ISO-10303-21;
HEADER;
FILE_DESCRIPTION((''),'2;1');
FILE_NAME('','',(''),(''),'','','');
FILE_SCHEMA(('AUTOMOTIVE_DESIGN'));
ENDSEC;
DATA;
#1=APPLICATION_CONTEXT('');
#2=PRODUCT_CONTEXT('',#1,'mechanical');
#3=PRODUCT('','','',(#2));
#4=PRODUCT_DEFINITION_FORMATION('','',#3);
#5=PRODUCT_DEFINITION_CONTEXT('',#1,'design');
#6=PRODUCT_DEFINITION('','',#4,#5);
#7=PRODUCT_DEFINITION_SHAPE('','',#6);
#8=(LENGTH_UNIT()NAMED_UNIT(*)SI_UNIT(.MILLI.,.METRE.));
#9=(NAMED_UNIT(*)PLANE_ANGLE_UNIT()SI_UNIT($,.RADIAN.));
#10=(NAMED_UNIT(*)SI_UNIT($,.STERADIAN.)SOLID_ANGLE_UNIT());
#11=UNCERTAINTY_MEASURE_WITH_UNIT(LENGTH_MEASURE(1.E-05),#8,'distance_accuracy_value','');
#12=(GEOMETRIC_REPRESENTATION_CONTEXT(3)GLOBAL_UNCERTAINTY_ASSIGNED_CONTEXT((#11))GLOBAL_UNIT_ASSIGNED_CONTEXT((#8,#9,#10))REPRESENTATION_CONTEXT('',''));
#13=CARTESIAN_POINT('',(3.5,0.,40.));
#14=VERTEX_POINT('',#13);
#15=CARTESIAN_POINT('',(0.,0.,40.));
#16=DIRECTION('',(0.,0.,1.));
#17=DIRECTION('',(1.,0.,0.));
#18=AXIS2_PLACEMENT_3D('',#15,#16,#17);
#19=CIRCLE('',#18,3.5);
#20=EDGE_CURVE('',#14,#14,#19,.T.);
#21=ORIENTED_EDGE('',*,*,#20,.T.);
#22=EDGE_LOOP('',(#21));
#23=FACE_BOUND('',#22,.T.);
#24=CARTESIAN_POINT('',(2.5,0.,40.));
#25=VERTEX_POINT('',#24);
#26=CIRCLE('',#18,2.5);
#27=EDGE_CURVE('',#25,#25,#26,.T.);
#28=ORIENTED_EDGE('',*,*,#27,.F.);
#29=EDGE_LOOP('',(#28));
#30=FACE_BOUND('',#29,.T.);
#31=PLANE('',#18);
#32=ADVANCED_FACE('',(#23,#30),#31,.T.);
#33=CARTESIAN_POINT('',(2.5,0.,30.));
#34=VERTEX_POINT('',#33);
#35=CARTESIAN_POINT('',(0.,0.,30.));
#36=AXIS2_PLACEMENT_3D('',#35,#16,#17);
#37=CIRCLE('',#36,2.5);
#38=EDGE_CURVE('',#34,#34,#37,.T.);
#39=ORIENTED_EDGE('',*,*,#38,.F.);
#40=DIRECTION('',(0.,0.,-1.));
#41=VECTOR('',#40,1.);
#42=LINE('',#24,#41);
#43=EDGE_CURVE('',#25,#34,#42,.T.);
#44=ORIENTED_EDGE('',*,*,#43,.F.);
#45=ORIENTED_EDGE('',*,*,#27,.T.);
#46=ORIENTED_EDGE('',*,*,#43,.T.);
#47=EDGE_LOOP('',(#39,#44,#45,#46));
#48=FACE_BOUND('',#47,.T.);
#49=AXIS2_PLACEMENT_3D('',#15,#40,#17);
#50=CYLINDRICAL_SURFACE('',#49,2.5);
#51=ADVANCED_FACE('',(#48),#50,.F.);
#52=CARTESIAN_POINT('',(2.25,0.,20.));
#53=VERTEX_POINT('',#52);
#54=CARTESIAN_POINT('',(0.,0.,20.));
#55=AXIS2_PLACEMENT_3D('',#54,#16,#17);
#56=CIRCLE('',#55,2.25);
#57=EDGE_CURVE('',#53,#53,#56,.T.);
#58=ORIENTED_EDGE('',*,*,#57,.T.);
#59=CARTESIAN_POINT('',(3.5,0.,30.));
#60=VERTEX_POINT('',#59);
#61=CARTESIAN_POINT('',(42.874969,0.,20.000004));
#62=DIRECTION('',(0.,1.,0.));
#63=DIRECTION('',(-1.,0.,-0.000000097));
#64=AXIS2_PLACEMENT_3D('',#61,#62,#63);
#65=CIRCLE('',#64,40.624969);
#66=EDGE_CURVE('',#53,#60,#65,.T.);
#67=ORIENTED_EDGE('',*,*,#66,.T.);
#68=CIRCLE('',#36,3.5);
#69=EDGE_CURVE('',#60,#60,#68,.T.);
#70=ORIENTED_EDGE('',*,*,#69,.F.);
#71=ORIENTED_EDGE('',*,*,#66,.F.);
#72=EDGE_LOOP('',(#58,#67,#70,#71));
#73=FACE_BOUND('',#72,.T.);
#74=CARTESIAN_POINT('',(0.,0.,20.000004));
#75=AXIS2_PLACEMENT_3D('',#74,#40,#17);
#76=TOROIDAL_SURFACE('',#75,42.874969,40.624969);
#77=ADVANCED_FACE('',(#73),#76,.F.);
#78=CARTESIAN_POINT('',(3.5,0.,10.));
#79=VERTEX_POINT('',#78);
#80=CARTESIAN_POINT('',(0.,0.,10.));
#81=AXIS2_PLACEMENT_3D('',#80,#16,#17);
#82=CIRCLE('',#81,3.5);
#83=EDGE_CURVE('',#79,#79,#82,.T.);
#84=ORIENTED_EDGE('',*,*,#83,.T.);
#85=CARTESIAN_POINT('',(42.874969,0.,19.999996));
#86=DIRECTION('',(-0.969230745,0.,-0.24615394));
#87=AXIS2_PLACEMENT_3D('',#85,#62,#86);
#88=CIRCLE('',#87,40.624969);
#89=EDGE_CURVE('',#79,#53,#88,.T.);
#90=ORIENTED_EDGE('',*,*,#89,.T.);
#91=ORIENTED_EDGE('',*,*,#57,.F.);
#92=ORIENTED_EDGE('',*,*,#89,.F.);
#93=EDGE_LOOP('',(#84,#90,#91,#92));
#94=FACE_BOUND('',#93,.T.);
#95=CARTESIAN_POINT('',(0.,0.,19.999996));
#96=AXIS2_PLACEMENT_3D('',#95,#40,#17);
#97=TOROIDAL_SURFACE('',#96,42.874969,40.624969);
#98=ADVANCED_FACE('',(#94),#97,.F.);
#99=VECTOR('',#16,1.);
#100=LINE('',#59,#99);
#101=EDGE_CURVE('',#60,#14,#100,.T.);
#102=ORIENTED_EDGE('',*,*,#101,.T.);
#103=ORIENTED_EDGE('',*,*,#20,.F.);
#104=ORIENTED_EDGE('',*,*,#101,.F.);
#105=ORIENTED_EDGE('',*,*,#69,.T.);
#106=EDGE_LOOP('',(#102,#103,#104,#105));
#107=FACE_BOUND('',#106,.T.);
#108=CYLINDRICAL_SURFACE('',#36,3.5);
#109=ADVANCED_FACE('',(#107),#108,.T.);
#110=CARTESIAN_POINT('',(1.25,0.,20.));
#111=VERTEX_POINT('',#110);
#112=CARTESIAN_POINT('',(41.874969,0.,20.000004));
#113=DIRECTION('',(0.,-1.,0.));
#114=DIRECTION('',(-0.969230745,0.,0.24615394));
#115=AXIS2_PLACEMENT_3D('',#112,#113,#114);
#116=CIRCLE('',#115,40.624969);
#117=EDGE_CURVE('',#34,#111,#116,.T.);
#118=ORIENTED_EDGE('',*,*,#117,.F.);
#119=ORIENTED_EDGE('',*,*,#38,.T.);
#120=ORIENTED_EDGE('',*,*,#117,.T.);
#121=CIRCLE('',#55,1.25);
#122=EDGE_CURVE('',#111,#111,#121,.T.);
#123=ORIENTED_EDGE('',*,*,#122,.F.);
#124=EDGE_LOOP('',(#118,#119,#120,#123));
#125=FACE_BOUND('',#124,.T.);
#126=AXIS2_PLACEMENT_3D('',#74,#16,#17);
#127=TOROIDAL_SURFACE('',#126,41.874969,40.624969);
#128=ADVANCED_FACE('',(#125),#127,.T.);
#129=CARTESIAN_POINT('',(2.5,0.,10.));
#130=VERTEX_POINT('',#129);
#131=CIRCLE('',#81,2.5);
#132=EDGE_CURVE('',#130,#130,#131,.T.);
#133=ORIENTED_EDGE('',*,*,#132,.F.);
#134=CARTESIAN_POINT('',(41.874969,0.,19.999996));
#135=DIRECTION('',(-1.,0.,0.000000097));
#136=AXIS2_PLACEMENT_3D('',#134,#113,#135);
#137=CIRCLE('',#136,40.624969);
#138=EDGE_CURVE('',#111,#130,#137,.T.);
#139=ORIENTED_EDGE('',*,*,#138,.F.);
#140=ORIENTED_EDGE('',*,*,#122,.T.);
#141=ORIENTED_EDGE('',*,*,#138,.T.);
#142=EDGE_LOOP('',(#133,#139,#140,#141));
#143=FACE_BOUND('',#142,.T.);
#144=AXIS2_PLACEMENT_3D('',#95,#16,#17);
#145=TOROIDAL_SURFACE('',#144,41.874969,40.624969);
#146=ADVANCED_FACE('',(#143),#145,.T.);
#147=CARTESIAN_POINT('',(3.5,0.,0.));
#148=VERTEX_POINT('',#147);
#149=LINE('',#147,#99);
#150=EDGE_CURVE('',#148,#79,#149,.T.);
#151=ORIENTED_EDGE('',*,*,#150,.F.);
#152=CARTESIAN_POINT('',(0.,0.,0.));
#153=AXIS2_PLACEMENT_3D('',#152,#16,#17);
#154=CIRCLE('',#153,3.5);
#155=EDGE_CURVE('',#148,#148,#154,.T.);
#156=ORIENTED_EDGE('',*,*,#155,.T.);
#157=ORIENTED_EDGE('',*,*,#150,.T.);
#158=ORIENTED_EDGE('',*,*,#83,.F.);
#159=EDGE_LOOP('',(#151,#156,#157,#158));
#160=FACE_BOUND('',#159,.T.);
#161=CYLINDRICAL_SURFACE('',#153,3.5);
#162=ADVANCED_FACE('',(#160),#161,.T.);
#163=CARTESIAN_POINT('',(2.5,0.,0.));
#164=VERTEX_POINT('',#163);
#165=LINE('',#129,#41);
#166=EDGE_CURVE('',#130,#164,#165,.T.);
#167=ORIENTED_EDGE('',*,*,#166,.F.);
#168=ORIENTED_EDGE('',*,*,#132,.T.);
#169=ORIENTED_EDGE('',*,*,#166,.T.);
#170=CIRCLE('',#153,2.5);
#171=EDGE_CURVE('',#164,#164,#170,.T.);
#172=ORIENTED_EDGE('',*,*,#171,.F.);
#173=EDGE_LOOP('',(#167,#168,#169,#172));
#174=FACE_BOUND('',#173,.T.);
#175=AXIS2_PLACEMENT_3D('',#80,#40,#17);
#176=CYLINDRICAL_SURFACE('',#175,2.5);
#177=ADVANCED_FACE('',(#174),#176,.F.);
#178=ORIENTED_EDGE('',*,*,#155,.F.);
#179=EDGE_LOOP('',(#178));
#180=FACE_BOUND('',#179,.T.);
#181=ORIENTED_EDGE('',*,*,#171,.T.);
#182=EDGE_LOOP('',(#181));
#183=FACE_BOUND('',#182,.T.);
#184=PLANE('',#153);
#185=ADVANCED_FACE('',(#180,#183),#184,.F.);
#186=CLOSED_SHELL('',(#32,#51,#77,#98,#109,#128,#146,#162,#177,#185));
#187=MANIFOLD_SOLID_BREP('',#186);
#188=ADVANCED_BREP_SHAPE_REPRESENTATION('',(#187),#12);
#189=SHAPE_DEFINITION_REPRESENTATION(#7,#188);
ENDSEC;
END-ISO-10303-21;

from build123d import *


with BuildPart() as f1:
    # F0 (on Front) → F1 (revolve)
    with BuildSketch(Plane.XZ):
        with BuildLine():
            Line((2.5, 10), (2.5, 0))
            Line((2.5, 0), (3.5, 0))
            Line((3.5, 0), (3.5, 10))
            ThreePointArc((3.5, 10), (2.563711, 14.961089), (2.25, 20))
            Line((2.25, 20), (1.25, 20))
            ThreePointArc((1.25, 20), (1.563711, 14.961089), (2.5, 10))
        make_face()
        with BuildLine():
            ThreePointArc((2.5, 30), (1.563711, 25.038911), (1.25, 20))
            Line((1.25, 20), (2.25, 20))
            ThreePointArc((2.25, 20), (2.563711, 25.038911), (3.5, 30))
            Line((3.5, 30), (3.5, 40))
            Line((3.5, 40), (2.5, 40))
            Line((2.5, 40), (2.5, 30))
        make_face()
    revolve(axis=Axis((0, 0, 20), (0, 0, 1)))


solid = f1.part
